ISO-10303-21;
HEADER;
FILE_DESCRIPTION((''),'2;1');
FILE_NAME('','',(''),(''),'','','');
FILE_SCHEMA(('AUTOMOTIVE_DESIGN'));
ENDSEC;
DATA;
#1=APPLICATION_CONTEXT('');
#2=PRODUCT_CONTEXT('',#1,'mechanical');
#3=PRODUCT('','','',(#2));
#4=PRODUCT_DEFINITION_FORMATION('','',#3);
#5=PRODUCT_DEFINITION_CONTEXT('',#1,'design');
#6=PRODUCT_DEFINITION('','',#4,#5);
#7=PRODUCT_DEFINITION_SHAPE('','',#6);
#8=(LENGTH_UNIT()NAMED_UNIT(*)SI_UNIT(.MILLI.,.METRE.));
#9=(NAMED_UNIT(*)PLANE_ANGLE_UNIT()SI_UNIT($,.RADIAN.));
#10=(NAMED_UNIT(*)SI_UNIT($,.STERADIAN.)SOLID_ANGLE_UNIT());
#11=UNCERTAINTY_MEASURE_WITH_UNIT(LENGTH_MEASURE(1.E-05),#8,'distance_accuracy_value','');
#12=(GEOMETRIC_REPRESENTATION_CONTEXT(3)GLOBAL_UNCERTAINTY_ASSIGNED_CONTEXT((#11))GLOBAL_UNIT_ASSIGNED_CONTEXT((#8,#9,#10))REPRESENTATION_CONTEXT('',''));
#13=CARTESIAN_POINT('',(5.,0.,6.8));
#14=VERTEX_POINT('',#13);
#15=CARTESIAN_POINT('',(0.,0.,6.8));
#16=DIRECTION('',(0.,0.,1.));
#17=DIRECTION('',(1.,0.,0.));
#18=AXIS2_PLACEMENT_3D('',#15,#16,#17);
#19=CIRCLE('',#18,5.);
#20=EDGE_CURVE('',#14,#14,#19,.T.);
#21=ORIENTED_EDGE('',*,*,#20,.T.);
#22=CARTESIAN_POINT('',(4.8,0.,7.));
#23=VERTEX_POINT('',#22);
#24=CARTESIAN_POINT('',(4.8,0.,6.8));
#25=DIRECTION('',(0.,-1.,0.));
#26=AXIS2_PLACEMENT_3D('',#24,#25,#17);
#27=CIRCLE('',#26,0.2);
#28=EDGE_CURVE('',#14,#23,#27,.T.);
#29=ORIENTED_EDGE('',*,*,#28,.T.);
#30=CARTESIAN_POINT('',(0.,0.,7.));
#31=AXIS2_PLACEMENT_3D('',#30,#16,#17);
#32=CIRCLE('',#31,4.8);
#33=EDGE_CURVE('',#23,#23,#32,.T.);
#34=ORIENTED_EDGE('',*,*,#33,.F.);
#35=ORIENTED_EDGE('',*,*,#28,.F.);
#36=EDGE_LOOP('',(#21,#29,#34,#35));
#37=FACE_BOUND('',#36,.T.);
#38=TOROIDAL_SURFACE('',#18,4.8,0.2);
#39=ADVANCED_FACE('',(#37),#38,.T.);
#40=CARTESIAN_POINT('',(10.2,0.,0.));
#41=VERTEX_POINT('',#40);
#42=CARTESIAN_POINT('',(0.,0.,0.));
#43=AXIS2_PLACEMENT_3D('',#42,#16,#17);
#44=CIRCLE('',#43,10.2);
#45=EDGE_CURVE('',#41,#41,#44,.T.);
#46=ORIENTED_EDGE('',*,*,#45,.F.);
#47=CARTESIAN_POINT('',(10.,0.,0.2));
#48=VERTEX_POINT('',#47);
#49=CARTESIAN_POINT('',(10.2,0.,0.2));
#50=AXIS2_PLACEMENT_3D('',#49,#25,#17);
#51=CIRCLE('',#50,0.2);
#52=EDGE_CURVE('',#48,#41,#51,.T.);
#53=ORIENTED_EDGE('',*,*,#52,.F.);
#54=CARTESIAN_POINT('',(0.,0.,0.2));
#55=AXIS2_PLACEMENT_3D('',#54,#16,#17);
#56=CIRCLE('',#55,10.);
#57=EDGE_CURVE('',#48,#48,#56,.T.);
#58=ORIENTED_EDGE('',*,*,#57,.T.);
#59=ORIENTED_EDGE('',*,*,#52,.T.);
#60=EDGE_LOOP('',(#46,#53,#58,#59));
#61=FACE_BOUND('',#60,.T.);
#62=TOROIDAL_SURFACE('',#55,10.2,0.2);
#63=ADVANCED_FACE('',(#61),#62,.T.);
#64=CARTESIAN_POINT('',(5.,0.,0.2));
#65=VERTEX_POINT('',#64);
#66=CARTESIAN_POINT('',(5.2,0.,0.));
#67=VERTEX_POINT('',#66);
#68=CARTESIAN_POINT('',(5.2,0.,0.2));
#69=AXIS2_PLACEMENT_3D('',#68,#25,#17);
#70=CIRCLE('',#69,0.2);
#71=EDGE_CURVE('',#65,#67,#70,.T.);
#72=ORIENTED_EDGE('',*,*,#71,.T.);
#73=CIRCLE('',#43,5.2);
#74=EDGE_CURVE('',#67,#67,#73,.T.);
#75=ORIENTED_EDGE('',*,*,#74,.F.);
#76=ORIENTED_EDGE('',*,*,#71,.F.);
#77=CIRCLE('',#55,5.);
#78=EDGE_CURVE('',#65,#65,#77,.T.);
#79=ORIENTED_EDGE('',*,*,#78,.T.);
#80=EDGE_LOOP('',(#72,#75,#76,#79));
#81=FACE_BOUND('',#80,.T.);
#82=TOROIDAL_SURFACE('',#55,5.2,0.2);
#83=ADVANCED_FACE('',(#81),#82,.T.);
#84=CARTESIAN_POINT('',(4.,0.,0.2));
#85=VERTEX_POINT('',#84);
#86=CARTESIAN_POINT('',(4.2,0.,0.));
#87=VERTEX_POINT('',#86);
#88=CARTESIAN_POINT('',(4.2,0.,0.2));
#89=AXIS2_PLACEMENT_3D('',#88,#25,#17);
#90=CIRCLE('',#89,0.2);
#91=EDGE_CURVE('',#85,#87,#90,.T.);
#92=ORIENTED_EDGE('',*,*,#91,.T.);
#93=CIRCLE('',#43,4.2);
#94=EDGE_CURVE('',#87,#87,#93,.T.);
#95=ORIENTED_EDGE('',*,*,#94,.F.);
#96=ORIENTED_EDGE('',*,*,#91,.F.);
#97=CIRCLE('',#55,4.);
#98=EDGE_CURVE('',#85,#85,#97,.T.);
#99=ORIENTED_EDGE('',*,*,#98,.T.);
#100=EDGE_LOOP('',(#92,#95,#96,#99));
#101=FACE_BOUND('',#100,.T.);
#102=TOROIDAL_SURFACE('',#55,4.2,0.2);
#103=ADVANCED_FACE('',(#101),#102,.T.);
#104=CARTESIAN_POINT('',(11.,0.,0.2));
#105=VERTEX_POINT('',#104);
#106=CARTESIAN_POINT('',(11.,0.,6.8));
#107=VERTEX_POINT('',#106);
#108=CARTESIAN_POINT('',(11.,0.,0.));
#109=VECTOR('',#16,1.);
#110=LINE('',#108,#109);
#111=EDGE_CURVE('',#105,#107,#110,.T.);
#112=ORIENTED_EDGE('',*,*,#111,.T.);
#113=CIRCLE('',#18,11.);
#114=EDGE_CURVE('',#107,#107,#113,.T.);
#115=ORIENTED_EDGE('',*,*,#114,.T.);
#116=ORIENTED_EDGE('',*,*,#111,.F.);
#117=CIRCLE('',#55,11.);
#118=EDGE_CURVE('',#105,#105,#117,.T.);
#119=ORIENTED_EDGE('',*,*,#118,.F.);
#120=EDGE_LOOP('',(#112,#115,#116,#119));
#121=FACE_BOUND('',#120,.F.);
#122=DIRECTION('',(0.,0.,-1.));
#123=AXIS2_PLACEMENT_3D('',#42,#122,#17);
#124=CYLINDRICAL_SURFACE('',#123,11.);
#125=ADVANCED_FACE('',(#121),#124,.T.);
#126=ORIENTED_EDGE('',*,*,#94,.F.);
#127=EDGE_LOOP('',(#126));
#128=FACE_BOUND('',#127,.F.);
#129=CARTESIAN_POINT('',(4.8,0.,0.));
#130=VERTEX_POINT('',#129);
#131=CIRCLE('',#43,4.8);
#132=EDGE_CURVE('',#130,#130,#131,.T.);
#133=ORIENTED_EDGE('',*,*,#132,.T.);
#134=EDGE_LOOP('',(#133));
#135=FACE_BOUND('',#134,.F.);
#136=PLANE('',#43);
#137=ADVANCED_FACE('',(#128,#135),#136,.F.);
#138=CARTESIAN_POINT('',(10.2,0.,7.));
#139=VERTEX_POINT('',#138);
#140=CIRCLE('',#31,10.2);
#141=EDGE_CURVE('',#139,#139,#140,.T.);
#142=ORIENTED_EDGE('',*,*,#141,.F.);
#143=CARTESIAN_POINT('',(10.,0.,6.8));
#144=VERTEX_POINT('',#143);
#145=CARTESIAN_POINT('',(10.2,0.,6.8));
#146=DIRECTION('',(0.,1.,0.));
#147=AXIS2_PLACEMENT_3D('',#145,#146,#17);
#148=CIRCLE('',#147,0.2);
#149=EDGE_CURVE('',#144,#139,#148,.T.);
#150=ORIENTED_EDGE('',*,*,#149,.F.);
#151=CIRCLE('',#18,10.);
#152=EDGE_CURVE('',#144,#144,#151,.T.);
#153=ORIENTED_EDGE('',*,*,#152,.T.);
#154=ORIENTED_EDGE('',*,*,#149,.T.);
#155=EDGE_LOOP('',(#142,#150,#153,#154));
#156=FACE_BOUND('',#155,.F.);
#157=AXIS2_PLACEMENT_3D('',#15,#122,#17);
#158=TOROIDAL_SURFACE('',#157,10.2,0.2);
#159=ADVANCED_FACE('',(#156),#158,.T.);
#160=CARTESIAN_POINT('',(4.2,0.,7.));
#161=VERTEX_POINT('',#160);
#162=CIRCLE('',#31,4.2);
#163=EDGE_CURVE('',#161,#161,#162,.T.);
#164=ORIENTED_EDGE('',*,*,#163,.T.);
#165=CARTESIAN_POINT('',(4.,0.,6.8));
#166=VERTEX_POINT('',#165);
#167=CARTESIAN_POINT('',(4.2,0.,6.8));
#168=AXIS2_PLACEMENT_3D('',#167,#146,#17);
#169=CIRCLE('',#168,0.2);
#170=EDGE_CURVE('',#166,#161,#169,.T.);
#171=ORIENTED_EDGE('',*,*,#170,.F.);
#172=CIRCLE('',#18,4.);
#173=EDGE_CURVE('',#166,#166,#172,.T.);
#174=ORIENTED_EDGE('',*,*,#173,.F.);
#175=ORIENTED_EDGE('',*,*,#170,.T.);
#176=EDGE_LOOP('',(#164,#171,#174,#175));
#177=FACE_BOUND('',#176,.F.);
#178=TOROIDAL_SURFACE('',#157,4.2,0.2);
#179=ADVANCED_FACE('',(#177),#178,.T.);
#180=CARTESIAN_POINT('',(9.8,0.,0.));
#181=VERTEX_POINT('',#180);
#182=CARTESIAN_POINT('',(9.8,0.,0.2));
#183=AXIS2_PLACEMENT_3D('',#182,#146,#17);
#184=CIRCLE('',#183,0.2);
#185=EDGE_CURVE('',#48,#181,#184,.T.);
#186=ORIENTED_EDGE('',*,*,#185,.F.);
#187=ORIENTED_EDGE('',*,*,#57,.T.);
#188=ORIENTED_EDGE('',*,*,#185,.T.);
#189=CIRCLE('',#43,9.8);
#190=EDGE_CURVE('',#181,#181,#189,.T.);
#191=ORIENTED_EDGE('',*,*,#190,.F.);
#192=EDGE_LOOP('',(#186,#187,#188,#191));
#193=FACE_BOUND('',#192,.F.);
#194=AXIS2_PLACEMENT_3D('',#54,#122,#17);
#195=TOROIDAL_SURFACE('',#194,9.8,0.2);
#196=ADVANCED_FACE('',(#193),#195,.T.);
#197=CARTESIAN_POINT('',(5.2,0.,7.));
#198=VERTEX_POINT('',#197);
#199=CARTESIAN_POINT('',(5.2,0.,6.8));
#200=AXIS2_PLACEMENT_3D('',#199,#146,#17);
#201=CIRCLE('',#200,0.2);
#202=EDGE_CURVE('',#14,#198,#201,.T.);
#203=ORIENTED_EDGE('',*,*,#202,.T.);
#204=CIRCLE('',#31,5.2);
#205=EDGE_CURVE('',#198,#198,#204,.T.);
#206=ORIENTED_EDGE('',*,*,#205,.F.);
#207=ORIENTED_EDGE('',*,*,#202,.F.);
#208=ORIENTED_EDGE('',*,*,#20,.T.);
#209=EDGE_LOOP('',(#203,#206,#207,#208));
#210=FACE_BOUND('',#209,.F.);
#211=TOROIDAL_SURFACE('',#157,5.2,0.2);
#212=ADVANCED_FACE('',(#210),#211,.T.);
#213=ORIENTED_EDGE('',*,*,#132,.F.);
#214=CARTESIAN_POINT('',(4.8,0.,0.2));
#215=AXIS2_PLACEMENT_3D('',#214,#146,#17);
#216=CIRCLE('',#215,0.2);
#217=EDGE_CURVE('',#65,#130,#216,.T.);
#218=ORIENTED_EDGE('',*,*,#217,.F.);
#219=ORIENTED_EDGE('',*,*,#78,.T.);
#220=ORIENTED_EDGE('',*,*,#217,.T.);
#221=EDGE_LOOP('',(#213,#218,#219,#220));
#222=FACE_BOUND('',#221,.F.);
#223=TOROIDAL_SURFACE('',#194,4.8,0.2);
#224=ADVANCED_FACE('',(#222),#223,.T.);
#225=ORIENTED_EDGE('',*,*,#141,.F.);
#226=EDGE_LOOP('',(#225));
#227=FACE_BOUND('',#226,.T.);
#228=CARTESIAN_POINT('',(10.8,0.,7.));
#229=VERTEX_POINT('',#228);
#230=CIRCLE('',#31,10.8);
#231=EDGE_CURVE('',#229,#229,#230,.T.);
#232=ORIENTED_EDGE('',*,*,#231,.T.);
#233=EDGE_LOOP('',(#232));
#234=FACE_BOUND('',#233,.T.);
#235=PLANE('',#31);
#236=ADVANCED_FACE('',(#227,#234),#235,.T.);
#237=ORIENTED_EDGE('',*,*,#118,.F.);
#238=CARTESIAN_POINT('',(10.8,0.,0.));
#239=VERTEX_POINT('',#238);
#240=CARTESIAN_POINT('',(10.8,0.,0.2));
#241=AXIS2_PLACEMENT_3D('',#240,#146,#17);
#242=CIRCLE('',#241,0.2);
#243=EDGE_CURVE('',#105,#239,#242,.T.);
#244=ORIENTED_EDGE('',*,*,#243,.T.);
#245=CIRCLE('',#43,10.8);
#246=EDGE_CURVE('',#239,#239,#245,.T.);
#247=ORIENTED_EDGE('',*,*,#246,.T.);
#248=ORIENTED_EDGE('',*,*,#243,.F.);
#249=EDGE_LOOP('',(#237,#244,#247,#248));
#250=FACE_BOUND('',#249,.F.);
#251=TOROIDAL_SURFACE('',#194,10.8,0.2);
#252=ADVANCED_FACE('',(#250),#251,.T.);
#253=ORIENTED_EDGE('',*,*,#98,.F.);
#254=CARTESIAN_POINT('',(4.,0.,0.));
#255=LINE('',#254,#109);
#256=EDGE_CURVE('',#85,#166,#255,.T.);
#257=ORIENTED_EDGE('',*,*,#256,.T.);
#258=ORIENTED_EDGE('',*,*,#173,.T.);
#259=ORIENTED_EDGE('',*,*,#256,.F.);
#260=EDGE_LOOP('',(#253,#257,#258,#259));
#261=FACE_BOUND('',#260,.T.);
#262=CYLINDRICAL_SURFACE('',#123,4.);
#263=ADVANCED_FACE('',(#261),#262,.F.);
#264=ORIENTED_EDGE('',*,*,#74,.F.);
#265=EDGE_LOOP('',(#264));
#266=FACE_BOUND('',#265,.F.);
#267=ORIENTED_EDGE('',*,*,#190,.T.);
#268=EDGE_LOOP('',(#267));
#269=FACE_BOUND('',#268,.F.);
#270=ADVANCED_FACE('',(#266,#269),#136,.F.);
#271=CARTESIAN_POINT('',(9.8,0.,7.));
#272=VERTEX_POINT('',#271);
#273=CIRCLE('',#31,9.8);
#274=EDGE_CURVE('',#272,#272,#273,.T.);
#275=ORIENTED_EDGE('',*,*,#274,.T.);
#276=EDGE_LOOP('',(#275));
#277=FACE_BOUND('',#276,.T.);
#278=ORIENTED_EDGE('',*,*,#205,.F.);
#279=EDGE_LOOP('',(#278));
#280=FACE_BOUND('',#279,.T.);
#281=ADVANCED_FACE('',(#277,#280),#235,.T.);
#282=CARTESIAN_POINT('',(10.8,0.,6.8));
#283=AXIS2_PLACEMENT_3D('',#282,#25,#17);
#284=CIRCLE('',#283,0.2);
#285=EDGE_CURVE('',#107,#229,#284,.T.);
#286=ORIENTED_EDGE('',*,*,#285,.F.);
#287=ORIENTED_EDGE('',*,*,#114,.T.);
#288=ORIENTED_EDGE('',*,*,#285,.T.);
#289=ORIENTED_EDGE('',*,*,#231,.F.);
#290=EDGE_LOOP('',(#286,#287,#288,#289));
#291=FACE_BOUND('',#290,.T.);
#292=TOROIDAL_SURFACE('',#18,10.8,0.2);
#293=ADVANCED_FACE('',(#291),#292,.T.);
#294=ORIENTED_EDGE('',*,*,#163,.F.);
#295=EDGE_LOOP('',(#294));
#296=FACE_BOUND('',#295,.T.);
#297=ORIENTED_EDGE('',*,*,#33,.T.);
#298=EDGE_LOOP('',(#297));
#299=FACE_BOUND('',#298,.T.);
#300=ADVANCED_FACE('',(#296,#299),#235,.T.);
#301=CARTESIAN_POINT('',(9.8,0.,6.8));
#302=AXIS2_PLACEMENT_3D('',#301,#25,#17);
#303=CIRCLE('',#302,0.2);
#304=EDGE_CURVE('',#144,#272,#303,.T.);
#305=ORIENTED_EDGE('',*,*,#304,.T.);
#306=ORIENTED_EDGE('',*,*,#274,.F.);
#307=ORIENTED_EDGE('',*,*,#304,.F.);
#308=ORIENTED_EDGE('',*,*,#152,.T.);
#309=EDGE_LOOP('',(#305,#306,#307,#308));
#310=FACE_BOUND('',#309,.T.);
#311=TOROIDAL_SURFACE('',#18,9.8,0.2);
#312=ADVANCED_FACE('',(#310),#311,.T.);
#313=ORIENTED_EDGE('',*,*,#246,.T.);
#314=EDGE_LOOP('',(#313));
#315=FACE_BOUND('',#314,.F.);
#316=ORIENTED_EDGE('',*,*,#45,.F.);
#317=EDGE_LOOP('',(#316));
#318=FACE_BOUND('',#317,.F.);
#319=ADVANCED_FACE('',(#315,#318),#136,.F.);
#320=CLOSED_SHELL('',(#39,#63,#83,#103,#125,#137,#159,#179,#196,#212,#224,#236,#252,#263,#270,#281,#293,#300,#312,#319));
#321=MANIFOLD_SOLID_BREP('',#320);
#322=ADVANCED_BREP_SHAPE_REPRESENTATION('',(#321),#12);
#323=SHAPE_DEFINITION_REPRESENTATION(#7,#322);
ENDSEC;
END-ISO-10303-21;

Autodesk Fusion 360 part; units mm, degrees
sketch "Sketch1" plane through (0, 0, 0) normal (0, 0, 1) x (1, 0, 0)
  circle A0 centre (0, 0) radius 11
  circle A1 centre (0, 0) radius 4
  circle A2 centre (0, 0) radius 10
  circle A3 centre (0, 0) radius 5
  dimension "d1" = 22
  dimension "d2" = 8
  dimension "d5" = -1
  dimension "d6" = 1
extrude "Extrude2" add sketch "Sketch1" along normal blind 7 contours A0 makes body 1
fillet "Fillet1" radius 0.2 2 edges at (-10.2556, -3.9778, 7) (-9.3233, 3.6162, 7) on bodies 1
fillet "Fillet1" radius 0.2 2 edges at (-10.2556, -3.9778, 0) (-9.3233, 3.6162, 0) on bodies 1
extrude "Extrude3" add sketch "Sketch1" along normal blind 7 separate body contours A3 makes body 2
fillet "Fillet2" radius 0.2 2 edges at (-4.6616, -1.8081, 7) (-3.7293, 1.4465, 7) on bodies 2
fillet "Fillet2" radius 0.2 2 edges at (-4.6616, -1.8081, 0) (-3.7293, 1.4465, 0) on bodies 2
extrude "Extrude4" add sketch "Sketch1" along normal blind 7 separate body contours A2 makes body 3
fillet "Fillet3" radius 0.2 2 edges at (-9.3233, -3.6162, 7) (-4.6616, 1.8081, 7) on bodies 3
fillet "Fillet3" radius 0.2 2 edges at (-9.3233, -3.6162, 0) (-4.6616, 1.8081, 0) on bodies 3
combine "Combine1" operation add target body 1 tool bodies 2 3
